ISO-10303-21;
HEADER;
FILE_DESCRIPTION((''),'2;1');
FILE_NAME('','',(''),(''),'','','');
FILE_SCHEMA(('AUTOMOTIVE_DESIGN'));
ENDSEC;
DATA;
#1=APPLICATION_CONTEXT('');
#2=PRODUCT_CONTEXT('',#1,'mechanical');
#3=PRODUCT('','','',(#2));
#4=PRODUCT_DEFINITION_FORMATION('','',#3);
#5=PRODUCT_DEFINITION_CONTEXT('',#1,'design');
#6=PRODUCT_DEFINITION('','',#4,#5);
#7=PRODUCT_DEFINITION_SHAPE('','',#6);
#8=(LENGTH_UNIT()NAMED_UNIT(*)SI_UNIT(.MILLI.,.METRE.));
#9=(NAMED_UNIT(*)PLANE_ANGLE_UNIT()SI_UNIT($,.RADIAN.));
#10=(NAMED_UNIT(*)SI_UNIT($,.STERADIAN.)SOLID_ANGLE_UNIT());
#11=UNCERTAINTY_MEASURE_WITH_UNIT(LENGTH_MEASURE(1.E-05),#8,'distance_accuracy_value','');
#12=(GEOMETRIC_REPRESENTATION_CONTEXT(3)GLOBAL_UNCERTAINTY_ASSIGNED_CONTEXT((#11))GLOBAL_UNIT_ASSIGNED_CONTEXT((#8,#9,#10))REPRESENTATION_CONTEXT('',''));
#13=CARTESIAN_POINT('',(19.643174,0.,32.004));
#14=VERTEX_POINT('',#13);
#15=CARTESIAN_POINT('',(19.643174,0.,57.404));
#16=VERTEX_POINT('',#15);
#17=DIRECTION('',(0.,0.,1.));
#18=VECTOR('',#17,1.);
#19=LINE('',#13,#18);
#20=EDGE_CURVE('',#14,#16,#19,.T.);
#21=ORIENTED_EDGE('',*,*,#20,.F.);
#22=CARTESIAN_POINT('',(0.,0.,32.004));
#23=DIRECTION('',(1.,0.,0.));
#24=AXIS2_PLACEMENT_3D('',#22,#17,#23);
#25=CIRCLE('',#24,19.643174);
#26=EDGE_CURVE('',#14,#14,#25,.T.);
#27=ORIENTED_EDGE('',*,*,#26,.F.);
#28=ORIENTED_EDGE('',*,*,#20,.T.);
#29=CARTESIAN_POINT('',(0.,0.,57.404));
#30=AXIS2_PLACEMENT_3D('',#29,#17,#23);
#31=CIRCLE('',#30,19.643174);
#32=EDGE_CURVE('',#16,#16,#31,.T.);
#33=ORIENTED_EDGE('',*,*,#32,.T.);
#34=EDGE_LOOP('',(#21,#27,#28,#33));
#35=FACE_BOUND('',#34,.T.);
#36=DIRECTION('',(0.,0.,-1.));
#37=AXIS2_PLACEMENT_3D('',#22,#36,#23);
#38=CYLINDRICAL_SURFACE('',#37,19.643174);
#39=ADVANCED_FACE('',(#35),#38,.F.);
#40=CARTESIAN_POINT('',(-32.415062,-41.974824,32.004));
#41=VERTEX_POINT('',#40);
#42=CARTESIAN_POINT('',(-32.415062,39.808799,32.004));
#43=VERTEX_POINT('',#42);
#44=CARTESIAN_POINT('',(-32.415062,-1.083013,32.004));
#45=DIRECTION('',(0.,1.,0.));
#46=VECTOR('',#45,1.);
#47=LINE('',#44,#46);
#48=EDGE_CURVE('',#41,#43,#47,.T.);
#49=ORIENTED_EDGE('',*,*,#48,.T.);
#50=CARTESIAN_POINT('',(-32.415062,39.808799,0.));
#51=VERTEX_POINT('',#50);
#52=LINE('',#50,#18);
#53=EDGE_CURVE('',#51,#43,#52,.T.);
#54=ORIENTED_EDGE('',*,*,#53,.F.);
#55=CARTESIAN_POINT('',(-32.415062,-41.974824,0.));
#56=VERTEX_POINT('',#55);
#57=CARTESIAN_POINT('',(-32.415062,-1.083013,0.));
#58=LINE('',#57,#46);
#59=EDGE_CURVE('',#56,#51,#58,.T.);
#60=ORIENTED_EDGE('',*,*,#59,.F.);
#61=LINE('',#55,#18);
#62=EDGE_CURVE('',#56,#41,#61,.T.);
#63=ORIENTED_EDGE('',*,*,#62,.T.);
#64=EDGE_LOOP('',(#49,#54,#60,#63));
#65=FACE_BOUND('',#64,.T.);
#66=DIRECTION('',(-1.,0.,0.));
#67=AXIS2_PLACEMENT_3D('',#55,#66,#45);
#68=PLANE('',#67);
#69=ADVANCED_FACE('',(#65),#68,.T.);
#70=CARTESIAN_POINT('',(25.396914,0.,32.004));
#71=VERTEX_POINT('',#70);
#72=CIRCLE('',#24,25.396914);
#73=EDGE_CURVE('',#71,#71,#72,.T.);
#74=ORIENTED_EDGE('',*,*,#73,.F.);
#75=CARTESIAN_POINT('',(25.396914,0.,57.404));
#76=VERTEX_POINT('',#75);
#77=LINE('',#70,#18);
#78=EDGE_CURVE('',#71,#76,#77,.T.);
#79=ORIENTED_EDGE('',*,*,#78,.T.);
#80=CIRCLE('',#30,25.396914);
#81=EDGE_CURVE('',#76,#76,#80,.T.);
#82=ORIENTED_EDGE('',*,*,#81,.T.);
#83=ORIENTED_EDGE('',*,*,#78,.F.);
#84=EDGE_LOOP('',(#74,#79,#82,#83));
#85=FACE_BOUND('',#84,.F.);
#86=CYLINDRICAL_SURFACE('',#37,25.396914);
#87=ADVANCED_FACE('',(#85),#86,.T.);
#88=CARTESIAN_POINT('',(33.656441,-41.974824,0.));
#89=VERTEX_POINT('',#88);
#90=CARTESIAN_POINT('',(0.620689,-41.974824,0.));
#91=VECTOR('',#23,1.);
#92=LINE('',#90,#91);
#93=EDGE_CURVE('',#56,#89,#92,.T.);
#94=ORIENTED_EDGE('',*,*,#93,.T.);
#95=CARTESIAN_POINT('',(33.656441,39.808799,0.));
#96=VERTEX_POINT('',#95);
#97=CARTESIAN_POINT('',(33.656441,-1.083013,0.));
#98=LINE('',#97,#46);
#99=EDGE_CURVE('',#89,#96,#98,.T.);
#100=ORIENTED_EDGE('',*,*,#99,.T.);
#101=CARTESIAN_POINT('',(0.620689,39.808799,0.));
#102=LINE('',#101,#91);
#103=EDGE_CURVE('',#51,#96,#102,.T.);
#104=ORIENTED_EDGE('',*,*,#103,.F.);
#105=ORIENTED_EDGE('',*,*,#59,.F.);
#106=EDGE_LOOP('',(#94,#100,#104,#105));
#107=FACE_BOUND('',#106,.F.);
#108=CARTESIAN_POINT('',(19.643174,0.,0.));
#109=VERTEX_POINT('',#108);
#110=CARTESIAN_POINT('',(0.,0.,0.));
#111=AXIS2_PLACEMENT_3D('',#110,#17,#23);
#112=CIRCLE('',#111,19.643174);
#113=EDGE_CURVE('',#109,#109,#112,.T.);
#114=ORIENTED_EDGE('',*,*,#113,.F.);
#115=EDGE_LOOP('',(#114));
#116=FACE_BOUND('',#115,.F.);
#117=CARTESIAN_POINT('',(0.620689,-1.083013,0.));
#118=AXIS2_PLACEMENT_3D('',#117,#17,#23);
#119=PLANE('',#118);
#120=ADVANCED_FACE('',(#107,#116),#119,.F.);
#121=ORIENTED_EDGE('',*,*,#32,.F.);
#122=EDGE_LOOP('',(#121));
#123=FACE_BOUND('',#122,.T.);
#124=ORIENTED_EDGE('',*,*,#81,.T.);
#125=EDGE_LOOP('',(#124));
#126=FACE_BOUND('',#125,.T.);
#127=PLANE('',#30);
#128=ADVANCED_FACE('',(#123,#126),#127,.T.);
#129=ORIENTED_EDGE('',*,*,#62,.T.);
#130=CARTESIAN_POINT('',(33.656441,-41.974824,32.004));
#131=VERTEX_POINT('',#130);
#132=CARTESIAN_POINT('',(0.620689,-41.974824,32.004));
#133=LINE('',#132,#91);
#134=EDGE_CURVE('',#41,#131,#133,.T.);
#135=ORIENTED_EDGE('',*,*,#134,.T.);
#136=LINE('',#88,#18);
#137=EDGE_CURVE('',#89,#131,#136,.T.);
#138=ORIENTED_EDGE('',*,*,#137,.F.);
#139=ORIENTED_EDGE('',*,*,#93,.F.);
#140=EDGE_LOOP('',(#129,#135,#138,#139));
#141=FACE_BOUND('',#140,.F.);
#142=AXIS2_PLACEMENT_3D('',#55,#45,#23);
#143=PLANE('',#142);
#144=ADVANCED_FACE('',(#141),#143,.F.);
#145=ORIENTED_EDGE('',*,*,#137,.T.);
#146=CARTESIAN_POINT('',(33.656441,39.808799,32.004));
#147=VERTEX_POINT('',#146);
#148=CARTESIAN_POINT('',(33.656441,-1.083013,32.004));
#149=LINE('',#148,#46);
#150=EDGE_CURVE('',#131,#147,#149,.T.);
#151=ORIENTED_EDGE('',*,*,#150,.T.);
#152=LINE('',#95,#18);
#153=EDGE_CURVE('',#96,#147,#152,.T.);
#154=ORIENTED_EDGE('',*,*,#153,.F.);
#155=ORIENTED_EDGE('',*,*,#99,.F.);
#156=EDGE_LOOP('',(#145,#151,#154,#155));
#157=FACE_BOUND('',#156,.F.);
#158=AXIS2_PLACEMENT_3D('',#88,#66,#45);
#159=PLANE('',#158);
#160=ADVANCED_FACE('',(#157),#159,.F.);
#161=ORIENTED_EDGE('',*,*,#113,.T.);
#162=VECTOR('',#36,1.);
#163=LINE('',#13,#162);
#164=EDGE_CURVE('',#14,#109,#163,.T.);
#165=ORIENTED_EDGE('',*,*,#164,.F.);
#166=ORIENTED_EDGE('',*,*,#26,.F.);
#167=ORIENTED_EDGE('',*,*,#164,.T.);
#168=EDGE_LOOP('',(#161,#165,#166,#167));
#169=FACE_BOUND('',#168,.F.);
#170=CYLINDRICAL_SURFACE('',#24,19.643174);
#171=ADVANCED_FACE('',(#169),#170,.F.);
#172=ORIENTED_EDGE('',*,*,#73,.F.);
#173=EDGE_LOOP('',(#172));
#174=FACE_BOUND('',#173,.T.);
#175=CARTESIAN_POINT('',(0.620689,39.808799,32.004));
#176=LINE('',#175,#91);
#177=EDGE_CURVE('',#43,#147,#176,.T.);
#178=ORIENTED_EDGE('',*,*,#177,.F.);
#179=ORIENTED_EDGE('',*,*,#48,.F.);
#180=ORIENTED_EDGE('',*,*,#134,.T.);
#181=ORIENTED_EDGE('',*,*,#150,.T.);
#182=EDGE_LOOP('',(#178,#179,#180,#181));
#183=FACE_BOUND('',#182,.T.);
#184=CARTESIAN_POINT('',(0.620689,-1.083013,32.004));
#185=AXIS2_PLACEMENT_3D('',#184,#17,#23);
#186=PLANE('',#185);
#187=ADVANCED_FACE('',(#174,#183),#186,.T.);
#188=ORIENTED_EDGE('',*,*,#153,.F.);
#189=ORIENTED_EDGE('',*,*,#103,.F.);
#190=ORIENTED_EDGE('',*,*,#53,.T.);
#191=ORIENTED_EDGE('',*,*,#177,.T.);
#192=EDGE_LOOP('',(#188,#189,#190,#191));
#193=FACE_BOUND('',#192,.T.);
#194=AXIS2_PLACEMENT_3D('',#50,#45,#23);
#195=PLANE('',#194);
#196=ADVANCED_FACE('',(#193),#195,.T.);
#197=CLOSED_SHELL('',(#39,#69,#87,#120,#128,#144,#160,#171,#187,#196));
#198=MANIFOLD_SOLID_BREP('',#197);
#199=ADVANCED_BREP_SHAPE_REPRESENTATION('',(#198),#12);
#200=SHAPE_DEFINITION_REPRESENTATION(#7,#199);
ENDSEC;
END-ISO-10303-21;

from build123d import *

# Parameters (mm, degrees)
F0_W     = 66.0715028644
F0_H     = 81.7836225033
F1_DEPTH = 32.004
F2_R     = 19.6431744844
F3_DEPTH = 63.246
F4_R     = 25.3969139416
F4_R_2   = 19.6431744844
F5_DEPTH = 25.4


with BuildPart() as f1:
    # F0 (on Top) → F1 (new body)
    with BuildSketch(Plane.XY):
        with Locations((0.6206892431, -1.0830126703)):
            Rectangle(F0_W, F0_H)
    extrude(amount=F1_DEPTH)

    # F2 (on face) → F3 (cut)
    with BuildSketch(Plane.XY.offset(32.004)):
        Circle(F2_R)
    extrude(amount=-F3_DEPTH, mode=Mode.SUBTRACT)

    # F4 (on face) → F5 (join)
    with BuildSketch(Plane.XY.offset(32.004)):
        Circle(F4_R)
        Circle(F4_R_2, mode=Mode.SUBTRACT)
    extrude(amount=F5_DEPTH)


solid = f1.part
